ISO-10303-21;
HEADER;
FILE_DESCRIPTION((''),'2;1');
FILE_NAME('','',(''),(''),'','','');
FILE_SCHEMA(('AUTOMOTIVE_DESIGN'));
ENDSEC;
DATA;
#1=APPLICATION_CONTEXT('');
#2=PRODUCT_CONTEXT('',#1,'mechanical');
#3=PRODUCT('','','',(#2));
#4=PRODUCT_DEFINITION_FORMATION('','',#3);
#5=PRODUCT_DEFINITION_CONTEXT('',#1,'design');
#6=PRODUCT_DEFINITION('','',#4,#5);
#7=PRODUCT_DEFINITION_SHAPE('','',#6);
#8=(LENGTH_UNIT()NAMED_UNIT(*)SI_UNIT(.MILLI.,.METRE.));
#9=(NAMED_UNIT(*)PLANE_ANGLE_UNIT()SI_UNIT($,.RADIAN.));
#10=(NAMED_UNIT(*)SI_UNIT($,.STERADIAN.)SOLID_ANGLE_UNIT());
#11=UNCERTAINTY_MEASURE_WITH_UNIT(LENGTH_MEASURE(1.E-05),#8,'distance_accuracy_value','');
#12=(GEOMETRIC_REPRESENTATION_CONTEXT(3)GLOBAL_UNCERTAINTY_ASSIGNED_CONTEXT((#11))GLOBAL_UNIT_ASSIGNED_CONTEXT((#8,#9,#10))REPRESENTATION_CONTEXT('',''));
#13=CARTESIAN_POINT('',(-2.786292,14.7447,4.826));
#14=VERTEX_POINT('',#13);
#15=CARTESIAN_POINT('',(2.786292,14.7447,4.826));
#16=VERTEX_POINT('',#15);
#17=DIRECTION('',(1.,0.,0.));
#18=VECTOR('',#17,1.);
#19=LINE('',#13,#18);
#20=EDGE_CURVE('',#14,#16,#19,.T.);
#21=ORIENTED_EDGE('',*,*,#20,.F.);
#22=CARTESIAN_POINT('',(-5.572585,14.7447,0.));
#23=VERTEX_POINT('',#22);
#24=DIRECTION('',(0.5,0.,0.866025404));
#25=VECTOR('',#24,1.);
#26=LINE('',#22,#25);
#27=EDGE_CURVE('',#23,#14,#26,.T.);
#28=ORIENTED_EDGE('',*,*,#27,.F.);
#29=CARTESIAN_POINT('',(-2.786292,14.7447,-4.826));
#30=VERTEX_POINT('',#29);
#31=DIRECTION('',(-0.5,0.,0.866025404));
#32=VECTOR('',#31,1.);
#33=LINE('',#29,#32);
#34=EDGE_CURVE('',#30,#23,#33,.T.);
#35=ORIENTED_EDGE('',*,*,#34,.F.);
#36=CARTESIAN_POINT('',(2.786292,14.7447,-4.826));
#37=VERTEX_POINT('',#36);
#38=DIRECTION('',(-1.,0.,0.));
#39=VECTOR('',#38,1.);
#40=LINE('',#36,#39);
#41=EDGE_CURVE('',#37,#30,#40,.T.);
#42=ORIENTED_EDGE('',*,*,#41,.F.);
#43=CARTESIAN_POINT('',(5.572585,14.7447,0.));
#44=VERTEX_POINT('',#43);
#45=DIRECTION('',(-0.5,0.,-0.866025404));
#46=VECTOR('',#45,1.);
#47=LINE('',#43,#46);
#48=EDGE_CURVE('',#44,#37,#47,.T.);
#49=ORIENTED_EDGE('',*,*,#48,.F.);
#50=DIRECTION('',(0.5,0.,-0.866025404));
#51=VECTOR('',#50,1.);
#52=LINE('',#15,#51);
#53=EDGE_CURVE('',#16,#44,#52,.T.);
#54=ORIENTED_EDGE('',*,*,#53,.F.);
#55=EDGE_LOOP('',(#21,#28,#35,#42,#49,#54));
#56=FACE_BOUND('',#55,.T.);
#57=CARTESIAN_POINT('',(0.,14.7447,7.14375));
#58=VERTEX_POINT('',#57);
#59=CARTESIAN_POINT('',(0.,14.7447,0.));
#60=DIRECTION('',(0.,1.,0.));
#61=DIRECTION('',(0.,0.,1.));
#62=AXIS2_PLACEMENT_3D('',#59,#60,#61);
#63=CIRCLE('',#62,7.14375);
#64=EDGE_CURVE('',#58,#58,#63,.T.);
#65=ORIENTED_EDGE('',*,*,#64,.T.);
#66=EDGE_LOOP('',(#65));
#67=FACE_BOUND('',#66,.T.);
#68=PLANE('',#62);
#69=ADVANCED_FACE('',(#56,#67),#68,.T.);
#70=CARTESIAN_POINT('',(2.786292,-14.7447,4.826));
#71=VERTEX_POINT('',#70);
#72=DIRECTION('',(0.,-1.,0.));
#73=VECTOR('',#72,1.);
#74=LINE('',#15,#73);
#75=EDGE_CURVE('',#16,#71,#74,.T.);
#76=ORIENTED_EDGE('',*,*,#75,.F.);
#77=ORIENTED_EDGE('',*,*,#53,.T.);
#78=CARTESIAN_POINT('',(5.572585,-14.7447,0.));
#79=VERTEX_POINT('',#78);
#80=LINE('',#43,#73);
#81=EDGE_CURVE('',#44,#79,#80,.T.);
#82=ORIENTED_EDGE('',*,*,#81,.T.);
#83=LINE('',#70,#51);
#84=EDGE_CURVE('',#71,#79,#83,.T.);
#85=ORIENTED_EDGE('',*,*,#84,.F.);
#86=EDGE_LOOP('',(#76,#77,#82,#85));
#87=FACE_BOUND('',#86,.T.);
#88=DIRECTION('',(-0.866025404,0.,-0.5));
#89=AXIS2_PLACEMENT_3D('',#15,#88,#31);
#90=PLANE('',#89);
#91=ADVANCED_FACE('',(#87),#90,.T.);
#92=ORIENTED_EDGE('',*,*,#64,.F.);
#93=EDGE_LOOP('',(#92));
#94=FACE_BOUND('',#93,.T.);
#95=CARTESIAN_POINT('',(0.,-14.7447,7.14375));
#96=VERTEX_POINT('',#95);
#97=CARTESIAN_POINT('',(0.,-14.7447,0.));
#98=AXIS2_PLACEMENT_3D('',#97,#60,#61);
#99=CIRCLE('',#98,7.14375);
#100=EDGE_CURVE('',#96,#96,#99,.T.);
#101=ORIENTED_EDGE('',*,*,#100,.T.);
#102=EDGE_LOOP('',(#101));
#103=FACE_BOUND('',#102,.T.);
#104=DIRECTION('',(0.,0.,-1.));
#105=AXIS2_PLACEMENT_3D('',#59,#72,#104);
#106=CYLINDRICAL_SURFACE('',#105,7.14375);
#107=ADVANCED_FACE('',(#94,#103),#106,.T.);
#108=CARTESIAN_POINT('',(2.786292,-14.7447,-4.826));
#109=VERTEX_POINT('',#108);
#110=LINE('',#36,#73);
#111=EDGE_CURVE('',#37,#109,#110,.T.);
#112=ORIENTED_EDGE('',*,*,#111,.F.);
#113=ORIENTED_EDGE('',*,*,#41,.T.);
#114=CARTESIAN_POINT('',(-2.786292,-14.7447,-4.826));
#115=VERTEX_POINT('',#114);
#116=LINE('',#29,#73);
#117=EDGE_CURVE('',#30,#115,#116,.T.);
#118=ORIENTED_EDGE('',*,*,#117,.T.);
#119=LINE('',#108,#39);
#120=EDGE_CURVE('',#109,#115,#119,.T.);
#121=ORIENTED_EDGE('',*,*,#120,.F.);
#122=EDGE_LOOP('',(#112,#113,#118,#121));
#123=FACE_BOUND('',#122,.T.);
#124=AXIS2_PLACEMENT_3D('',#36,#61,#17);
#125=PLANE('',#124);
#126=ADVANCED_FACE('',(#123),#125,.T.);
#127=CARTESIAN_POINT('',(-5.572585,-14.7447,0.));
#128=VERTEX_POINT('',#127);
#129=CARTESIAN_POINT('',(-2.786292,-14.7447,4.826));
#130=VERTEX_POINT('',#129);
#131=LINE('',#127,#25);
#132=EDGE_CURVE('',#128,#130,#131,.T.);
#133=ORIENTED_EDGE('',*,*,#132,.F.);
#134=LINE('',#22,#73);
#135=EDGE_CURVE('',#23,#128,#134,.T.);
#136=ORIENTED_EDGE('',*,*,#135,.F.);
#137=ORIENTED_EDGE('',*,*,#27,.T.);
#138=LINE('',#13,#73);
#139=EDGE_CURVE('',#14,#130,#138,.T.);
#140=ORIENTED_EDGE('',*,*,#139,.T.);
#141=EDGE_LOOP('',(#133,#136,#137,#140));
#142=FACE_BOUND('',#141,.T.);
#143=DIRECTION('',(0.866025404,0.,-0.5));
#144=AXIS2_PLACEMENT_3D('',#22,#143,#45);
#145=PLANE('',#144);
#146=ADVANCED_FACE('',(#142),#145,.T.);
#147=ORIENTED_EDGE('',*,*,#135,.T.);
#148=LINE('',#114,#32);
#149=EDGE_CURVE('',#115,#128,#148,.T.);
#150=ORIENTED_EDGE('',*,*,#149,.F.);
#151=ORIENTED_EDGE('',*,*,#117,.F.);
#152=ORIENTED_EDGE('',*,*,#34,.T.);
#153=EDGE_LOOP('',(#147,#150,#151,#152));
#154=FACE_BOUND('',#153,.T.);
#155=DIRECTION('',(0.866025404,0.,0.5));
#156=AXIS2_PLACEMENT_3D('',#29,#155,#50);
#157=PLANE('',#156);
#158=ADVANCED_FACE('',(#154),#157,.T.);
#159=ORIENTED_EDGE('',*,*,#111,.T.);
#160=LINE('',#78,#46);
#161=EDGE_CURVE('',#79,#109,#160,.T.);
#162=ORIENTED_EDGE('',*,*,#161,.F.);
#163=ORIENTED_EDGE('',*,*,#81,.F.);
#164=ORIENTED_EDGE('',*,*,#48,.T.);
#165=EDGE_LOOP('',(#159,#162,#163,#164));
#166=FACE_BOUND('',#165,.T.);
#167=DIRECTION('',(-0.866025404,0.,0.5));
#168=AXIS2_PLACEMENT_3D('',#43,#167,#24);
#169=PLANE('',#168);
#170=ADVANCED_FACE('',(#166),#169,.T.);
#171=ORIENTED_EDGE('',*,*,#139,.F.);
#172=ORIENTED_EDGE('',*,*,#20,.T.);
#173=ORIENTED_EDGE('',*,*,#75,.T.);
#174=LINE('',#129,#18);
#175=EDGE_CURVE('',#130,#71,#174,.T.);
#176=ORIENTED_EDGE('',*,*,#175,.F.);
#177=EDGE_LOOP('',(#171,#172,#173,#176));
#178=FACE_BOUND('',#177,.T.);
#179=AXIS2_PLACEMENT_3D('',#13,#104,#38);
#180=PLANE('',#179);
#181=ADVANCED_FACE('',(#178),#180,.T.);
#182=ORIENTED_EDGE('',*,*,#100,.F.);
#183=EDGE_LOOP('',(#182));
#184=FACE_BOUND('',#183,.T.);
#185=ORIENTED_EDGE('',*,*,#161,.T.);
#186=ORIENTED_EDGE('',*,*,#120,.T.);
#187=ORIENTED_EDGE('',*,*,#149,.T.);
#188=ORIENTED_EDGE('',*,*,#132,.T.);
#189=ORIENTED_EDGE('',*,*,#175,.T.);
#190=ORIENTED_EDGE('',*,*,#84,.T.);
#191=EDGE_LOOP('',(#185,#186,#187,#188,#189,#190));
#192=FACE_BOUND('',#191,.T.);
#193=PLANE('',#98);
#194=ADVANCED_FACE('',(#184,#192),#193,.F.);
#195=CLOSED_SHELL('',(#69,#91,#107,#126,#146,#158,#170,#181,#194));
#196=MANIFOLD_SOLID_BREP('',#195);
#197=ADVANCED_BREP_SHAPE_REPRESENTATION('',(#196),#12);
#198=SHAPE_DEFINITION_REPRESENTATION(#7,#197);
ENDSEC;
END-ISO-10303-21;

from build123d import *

# Parameters (mm, degrees)
SKETCH1_R           = 7.14375
BOSS_EXTRUDE1_DEPTH = 14.7447


with BuildPart() as part:
    # Sketch1 → Boss-Extrude1 (new, symmetric)
    with BuildSketch(Plane(origin=(0, 0, 0), x_dir=(1, 0, 0), z_dir=(0, 1, 0))):
        with Locations(Location((0, 0, 0), (0, 0, 270))):
            Circle(SKETCH1_R)
        Polygon((2.786292399, -4.826), (5.572584798, 0), (2.786292399, 4.826), (-2.786292399, 4.826), (-5.572584798, 0), (-2.786292399, -4.826), align=None, mode=Mode.SUBTRACT)
    extrude(amount=BOSS_EXTRUDE1_DEPTH, both=True)


solid = part.part
